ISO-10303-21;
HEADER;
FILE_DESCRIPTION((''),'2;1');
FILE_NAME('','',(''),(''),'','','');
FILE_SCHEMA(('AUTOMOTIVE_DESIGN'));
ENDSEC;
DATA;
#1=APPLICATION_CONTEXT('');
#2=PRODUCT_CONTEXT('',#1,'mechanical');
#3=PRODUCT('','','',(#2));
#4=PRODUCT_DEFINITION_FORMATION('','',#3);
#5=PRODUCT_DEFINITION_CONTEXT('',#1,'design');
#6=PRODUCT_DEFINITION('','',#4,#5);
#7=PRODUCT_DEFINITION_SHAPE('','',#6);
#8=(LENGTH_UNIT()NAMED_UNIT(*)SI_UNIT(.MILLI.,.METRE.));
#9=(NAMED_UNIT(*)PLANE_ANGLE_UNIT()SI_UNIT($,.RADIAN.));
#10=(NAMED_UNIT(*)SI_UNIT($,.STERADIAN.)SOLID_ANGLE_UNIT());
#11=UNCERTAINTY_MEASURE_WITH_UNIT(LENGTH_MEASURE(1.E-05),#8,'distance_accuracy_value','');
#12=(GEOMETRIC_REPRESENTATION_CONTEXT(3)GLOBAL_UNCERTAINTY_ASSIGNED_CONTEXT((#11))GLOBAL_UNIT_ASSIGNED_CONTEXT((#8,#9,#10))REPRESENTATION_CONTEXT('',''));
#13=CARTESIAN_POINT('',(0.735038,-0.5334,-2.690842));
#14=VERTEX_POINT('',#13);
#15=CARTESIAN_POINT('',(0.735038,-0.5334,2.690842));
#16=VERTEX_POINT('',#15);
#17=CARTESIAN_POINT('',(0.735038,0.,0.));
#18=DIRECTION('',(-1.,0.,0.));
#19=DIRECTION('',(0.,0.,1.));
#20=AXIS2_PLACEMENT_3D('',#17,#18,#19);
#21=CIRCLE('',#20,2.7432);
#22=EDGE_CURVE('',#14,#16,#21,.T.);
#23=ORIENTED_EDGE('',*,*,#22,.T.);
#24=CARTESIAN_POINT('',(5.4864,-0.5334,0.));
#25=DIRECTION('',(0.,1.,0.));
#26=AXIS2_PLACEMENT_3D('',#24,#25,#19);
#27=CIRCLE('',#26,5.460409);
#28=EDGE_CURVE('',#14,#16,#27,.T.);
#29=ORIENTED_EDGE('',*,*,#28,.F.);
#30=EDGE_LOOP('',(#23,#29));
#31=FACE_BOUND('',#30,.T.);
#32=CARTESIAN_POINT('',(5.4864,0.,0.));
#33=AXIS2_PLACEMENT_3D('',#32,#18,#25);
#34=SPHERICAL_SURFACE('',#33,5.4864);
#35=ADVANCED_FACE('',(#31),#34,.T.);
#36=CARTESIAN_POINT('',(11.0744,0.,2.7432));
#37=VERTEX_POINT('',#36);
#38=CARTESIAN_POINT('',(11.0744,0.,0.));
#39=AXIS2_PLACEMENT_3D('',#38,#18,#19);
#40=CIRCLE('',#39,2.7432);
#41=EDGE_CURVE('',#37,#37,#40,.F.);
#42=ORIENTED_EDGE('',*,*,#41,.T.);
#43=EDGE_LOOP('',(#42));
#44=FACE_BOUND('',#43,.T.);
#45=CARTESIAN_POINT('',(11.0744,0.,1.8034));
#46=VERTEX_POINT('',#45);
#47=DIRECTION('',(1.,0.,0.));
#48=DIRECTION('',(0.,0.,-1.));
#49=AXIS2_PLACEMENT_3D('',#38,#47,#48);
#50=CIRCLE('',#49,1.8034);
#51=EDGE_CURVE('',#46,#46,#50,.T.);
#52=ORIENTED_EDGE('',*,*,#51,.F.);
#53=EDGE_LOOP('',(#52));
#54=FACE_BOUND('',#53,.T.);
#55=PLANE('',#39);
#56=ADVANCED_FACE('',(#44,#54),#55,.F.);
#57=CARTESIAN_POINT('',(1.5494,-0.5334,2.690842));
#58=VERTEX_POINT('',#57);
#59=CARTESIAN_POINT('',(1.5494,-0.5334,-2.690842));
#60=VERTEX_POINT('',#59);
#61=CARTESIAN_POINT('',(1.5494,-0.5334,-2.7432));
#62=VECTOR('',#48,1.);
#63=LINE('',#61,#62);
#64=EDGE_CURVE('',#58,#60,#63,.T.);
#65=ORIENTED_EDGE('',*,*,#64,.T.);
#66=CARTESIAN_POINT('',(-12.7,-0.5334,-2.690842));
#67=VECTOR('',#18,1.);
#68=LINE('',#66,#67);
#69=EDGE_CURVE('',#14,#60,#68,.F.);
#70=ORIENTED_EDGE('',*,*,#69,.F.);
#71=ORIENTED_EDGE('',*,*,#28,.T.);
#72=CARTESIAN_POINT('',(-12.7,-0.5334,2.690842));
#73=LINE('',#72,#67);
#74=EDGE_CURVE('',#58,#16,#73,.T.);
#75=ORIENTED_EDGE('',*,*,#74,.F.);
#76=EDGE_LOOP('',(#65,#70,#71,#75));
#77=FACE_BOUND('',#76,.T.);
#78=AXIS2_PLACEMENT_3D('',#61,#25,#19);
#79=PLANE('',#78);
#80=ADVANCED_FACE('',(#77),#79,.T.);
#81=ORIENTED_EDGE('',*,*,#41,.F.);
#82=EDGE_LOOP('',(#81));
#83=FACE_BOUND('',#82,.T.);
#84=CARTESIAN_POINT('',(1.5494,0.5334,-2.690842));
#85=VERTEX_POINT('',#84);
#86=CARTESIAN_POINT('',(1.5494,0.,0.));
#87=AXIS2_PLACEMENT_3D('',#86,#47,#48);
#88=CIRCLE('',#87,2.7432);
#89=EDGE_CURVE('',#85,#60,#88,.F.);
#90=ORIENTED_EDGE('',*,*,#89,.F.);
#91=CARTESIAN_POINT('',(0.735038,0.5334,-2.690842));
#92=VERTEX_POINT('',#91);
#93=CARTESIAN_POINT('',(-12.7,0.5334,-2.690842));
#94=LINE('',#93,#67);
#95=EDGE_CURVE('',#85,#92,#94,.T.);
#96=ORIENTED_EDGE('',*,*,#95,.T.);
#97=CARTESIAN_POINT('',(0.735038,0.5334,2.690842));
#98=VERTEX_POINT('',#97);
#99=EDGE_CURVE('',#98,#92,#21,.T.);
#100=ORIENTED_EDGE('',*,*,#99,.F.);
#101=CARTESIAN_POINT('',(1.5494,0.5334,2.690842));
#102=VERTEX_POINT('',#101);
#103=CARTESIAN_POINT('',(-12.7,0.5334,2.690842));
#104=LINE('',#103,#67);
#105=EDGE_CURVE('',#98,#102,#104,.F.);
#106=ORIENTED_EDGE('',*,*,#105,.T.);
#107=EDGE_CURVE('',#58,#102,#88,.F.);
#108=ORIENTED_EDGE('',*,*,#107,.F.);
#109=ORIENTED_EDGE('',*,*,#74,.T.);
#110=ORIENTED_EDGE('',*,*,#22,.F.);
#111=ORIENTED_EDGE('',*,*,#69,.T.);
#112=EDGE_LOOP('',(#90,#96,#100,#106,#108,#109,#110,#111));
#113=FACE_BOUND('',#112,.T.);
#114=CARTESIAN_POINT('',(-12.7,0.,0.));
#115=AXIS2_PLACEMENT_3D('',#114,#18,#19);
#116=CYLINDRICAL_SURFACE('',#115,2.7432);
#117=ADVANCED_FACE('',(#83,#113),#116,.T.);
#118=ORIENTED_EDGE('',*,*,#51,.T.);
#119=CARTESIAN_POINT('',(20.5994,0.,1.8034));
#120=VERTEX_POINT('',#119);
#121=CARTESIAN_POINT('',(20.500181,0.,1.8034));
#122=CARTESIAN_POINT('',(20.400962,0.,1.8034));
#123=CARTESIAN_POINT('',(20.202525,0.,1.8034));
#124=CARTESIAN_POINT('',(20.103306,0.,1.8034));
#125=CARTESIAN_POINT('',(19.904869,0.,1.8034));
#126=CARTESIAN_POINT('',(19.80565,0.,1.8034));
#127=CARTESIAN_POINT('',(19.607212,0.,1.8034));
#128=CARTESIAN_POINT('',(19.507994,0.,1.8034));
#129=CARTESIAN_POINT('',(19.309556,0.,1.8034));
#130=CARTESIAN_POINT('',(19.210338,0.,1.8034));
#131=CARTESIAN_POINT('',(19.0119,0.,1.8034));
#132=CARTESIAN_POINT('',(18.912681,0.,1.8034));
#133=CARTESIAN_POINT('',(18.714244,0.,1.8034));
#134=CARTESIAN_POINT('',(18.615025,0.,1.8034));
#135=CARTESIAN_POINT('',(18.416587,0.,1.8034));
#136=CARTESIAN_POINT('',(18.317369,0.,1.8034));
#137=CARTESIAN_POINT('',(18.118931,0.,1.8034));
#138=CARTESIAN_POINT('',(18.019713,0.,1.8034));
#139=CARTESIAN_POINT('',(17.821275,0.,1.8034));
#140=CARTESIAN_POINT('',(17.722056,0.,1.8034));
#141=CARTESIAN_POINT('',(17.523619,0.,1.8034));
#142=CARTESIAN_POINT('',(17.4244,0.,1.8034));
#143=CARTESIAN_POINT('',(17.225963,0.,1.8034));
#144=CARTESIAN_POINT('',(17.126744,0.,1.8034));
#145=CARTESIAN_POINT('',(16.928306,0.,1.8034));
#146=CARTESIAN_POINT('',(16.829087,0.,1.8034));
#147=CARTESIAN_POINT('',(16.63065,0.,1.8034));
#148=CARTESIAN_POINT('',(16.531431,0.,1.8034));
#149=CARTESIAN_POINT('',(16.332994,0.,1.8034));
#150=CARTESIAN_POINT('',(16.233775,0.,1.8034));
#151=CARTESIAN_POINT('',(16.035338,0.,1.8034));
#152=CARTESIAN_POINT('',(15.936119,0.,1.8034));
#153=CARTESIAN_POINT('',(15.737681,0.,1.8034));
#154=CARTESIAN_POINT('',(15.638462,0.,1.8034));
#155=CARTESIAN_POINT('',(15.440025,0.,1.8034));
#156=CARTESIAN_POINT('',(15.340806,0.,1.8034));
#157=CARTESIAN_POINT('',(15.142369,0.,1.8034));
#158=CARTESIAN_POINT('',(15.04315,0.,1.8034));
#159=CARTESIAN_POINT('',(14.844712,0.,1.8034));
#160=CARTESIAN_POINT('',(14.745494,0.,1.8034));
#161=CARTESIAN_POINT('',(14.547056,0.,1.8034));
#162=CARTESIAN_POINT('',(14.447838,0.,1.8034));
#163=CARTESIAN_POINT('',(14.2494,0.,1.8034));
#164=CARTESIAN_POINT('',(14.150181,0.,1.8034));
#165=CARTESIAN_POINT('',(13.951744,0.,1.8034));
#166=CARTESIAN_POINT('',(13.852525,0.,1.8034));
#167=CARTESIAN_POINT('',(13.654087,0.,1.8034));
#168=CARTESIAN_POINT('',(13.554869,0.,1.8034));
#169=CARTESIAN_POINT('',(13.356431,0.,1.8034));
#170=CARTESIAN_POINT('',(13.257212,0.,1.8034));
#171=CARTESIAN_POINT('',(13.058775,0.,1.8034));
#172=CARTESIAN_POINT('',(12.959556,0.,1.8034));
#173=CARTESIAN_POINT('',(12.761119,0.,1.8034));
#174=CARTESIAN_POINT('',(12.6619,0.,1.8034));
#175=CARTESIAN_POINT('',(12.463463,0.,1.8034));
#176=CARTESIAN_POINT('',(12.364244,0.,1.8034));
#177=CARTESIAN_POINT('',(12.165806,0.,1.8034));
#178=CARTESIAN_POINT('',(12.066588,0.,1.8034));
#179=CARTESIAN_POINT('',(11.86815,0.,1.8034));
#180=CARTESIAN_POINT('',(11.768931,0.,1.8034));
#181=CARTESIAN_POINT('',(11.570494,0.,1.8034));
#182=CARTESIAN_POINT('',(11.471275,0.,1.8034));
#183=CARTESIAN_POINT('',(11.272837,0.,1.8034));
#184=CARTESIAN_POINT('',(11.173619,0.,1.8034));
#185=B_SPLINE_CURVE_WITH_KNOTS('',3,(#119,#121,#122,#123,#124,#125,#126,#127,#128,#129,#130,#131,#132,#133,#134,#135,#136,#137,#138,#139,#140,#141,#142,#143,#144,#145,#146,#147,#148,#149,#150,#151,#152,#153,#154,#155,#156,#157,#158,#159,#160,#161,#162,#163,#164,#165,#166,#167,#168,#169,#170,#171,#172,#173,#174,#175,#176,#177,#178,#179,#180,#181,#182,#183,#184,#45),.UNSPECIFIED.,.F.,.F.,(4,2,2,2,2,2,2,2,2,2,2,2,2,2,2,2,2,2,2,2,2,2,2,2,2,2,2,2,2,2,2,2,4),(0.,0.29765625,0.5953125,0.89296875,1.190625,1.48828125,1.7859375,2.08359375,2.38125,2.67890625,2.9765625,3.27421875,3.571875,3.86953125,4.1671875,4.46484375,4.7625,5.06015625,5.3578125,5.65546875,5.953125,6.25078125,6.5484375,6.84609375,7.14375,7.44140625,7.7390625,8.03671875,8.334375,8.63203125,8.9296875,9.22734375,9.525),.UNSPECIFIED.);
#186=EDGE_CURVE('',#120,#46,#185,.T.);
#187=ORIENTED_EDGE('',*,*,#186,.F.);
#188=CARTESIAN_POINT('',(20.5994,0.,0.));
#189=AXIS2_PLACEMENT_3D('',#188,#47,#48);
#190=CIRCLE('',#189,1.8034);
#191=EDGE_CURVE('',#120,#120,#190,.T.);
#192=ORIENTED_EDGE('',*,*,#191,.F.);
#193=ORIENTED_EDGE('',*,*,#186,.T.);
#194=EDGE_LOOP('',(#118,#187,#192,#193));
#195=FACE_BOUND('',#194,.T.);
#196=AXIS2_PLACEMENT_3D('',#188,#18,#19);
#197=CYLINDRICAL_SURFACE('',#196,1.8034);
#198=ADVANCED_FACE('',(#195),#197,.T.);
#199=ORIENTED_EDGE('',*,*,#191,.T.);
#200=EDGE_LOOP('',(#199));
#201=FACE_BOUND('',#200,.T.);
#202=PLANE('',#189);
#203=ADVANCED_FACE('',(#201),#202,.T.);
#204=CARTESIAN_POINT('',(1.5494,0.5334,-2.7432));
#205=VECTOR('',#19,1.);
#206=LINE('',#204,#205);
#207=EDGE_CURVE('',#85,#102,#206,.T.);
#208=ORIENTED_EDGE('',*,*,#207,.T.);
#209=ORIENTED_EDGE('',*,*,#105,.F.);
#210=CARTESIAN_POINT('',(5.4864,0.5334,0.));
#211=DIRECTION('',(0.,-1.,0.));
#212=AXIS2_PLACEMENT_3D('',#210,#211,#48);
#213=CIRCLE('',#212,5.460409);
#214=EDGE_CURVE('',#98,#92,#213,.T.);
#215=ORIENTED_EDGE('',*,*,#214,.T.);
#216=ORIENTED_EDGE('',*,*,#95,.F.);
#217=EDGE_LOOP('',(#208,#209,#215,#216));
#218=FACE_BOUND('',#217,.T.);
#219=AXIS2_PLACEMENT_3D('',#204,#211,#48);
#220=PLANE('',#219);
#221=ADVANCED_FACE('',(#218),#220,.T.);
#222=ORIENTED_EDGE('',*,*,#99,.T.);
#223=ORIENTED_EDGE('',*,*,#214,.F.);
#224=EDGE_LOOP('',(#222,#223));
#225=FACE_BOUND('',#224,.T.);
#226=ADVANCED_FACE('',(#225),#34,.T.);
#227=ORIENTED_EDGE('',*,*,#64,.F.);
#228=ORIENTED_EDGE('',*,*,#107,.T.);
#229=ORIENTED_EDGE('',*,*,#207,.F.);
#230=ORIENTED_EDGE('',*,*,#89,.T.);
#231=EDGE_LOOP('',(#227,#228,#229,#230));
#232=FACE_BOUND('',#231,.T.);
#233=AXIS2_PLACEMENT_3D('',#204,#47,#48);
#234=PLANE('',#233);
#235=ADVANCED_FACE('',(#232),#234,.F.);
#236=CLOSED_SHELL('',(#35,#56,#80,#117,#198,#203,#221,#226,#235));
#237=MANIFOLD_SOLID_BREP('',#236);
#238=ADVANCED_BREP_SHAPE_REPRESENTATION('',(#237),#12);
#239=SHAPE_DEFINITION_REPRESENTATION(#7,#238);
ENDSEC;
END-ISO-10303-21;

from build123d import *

# Parameters (mm, degrees)
SKETCH2_W               = 5.4864
SKETCH2_H               = 1.0668
SLOT_DEPTH              = 1.5494
CROQUIS1_R              = 3.23116627
CORTAR_EXTRUIR1_DEPTH   = 12.709724159
CROQUIS4_R              = 1.8034
SALIENTE_EXTRUIR1_DEPTH = 9.525


with BuildPart() as part:
    # BodySke → BaseBody (revolve)
    with BuildSketch(Plane.XY, mode=Mode.PRIVATE) as basebody_sk:
        with BuildLine():
            Line((14.351, 0), (14.351, 1.4605))
            Line((14.351, 1.4605), (13.0683, 2.7432))
            Line((13.0683, 2.7432), (0.735038225, 2.7432))
            ThreePointArc((0.735038225, 2.7432), (0.186944547, 1.419984809), (0, 0))
            Line((0, 0), (14.351, 0))
        make_face()
    revolve(basebody_sk.sketch.rotate(Axis((-12.7, 0, 0), (1, 0, 0)), 90), axis=Axis((-12.7, 0, 0), (1, 0, 0)))

    # Sketch2 → Slot (cut)
    with BuildSketch(Plane(origin=(0, 0, 0), x_dir=(0, 0, -1), z_dir=(1, 0, 0))):
        Rectangle(SKETCH2_W, SKETCH2_H)
    extrude(amount=SLOT_DEPTH, mode=Mode.SUBTRACT)

    # Croquis1 → Cortar-Extruir1 (cut, through all)
    with BuildSketch(Plane.ZY.offset(-11.0744)):
        Circle(CROQUIS1_R)
    extrude(amount=-CORTAR_EXTRUIR1_DEPTH, mode=Mode.SUBTRACT)

    # Croquis4 → Saliente-Extruir1 (add)
    with BuildSketch(Plane(origin=(11.0744, 0, 0), x_dir=(0, 0, -1), z_dir=(1, 0, 0))):
        with Locations(Location((0, 0, 0), (0, 0, 180))):
            Circle(CROQUIS4_R)
    extrude(amount=SALIENTE_EXTRUIR1_DEPTH)


solid = part.part
